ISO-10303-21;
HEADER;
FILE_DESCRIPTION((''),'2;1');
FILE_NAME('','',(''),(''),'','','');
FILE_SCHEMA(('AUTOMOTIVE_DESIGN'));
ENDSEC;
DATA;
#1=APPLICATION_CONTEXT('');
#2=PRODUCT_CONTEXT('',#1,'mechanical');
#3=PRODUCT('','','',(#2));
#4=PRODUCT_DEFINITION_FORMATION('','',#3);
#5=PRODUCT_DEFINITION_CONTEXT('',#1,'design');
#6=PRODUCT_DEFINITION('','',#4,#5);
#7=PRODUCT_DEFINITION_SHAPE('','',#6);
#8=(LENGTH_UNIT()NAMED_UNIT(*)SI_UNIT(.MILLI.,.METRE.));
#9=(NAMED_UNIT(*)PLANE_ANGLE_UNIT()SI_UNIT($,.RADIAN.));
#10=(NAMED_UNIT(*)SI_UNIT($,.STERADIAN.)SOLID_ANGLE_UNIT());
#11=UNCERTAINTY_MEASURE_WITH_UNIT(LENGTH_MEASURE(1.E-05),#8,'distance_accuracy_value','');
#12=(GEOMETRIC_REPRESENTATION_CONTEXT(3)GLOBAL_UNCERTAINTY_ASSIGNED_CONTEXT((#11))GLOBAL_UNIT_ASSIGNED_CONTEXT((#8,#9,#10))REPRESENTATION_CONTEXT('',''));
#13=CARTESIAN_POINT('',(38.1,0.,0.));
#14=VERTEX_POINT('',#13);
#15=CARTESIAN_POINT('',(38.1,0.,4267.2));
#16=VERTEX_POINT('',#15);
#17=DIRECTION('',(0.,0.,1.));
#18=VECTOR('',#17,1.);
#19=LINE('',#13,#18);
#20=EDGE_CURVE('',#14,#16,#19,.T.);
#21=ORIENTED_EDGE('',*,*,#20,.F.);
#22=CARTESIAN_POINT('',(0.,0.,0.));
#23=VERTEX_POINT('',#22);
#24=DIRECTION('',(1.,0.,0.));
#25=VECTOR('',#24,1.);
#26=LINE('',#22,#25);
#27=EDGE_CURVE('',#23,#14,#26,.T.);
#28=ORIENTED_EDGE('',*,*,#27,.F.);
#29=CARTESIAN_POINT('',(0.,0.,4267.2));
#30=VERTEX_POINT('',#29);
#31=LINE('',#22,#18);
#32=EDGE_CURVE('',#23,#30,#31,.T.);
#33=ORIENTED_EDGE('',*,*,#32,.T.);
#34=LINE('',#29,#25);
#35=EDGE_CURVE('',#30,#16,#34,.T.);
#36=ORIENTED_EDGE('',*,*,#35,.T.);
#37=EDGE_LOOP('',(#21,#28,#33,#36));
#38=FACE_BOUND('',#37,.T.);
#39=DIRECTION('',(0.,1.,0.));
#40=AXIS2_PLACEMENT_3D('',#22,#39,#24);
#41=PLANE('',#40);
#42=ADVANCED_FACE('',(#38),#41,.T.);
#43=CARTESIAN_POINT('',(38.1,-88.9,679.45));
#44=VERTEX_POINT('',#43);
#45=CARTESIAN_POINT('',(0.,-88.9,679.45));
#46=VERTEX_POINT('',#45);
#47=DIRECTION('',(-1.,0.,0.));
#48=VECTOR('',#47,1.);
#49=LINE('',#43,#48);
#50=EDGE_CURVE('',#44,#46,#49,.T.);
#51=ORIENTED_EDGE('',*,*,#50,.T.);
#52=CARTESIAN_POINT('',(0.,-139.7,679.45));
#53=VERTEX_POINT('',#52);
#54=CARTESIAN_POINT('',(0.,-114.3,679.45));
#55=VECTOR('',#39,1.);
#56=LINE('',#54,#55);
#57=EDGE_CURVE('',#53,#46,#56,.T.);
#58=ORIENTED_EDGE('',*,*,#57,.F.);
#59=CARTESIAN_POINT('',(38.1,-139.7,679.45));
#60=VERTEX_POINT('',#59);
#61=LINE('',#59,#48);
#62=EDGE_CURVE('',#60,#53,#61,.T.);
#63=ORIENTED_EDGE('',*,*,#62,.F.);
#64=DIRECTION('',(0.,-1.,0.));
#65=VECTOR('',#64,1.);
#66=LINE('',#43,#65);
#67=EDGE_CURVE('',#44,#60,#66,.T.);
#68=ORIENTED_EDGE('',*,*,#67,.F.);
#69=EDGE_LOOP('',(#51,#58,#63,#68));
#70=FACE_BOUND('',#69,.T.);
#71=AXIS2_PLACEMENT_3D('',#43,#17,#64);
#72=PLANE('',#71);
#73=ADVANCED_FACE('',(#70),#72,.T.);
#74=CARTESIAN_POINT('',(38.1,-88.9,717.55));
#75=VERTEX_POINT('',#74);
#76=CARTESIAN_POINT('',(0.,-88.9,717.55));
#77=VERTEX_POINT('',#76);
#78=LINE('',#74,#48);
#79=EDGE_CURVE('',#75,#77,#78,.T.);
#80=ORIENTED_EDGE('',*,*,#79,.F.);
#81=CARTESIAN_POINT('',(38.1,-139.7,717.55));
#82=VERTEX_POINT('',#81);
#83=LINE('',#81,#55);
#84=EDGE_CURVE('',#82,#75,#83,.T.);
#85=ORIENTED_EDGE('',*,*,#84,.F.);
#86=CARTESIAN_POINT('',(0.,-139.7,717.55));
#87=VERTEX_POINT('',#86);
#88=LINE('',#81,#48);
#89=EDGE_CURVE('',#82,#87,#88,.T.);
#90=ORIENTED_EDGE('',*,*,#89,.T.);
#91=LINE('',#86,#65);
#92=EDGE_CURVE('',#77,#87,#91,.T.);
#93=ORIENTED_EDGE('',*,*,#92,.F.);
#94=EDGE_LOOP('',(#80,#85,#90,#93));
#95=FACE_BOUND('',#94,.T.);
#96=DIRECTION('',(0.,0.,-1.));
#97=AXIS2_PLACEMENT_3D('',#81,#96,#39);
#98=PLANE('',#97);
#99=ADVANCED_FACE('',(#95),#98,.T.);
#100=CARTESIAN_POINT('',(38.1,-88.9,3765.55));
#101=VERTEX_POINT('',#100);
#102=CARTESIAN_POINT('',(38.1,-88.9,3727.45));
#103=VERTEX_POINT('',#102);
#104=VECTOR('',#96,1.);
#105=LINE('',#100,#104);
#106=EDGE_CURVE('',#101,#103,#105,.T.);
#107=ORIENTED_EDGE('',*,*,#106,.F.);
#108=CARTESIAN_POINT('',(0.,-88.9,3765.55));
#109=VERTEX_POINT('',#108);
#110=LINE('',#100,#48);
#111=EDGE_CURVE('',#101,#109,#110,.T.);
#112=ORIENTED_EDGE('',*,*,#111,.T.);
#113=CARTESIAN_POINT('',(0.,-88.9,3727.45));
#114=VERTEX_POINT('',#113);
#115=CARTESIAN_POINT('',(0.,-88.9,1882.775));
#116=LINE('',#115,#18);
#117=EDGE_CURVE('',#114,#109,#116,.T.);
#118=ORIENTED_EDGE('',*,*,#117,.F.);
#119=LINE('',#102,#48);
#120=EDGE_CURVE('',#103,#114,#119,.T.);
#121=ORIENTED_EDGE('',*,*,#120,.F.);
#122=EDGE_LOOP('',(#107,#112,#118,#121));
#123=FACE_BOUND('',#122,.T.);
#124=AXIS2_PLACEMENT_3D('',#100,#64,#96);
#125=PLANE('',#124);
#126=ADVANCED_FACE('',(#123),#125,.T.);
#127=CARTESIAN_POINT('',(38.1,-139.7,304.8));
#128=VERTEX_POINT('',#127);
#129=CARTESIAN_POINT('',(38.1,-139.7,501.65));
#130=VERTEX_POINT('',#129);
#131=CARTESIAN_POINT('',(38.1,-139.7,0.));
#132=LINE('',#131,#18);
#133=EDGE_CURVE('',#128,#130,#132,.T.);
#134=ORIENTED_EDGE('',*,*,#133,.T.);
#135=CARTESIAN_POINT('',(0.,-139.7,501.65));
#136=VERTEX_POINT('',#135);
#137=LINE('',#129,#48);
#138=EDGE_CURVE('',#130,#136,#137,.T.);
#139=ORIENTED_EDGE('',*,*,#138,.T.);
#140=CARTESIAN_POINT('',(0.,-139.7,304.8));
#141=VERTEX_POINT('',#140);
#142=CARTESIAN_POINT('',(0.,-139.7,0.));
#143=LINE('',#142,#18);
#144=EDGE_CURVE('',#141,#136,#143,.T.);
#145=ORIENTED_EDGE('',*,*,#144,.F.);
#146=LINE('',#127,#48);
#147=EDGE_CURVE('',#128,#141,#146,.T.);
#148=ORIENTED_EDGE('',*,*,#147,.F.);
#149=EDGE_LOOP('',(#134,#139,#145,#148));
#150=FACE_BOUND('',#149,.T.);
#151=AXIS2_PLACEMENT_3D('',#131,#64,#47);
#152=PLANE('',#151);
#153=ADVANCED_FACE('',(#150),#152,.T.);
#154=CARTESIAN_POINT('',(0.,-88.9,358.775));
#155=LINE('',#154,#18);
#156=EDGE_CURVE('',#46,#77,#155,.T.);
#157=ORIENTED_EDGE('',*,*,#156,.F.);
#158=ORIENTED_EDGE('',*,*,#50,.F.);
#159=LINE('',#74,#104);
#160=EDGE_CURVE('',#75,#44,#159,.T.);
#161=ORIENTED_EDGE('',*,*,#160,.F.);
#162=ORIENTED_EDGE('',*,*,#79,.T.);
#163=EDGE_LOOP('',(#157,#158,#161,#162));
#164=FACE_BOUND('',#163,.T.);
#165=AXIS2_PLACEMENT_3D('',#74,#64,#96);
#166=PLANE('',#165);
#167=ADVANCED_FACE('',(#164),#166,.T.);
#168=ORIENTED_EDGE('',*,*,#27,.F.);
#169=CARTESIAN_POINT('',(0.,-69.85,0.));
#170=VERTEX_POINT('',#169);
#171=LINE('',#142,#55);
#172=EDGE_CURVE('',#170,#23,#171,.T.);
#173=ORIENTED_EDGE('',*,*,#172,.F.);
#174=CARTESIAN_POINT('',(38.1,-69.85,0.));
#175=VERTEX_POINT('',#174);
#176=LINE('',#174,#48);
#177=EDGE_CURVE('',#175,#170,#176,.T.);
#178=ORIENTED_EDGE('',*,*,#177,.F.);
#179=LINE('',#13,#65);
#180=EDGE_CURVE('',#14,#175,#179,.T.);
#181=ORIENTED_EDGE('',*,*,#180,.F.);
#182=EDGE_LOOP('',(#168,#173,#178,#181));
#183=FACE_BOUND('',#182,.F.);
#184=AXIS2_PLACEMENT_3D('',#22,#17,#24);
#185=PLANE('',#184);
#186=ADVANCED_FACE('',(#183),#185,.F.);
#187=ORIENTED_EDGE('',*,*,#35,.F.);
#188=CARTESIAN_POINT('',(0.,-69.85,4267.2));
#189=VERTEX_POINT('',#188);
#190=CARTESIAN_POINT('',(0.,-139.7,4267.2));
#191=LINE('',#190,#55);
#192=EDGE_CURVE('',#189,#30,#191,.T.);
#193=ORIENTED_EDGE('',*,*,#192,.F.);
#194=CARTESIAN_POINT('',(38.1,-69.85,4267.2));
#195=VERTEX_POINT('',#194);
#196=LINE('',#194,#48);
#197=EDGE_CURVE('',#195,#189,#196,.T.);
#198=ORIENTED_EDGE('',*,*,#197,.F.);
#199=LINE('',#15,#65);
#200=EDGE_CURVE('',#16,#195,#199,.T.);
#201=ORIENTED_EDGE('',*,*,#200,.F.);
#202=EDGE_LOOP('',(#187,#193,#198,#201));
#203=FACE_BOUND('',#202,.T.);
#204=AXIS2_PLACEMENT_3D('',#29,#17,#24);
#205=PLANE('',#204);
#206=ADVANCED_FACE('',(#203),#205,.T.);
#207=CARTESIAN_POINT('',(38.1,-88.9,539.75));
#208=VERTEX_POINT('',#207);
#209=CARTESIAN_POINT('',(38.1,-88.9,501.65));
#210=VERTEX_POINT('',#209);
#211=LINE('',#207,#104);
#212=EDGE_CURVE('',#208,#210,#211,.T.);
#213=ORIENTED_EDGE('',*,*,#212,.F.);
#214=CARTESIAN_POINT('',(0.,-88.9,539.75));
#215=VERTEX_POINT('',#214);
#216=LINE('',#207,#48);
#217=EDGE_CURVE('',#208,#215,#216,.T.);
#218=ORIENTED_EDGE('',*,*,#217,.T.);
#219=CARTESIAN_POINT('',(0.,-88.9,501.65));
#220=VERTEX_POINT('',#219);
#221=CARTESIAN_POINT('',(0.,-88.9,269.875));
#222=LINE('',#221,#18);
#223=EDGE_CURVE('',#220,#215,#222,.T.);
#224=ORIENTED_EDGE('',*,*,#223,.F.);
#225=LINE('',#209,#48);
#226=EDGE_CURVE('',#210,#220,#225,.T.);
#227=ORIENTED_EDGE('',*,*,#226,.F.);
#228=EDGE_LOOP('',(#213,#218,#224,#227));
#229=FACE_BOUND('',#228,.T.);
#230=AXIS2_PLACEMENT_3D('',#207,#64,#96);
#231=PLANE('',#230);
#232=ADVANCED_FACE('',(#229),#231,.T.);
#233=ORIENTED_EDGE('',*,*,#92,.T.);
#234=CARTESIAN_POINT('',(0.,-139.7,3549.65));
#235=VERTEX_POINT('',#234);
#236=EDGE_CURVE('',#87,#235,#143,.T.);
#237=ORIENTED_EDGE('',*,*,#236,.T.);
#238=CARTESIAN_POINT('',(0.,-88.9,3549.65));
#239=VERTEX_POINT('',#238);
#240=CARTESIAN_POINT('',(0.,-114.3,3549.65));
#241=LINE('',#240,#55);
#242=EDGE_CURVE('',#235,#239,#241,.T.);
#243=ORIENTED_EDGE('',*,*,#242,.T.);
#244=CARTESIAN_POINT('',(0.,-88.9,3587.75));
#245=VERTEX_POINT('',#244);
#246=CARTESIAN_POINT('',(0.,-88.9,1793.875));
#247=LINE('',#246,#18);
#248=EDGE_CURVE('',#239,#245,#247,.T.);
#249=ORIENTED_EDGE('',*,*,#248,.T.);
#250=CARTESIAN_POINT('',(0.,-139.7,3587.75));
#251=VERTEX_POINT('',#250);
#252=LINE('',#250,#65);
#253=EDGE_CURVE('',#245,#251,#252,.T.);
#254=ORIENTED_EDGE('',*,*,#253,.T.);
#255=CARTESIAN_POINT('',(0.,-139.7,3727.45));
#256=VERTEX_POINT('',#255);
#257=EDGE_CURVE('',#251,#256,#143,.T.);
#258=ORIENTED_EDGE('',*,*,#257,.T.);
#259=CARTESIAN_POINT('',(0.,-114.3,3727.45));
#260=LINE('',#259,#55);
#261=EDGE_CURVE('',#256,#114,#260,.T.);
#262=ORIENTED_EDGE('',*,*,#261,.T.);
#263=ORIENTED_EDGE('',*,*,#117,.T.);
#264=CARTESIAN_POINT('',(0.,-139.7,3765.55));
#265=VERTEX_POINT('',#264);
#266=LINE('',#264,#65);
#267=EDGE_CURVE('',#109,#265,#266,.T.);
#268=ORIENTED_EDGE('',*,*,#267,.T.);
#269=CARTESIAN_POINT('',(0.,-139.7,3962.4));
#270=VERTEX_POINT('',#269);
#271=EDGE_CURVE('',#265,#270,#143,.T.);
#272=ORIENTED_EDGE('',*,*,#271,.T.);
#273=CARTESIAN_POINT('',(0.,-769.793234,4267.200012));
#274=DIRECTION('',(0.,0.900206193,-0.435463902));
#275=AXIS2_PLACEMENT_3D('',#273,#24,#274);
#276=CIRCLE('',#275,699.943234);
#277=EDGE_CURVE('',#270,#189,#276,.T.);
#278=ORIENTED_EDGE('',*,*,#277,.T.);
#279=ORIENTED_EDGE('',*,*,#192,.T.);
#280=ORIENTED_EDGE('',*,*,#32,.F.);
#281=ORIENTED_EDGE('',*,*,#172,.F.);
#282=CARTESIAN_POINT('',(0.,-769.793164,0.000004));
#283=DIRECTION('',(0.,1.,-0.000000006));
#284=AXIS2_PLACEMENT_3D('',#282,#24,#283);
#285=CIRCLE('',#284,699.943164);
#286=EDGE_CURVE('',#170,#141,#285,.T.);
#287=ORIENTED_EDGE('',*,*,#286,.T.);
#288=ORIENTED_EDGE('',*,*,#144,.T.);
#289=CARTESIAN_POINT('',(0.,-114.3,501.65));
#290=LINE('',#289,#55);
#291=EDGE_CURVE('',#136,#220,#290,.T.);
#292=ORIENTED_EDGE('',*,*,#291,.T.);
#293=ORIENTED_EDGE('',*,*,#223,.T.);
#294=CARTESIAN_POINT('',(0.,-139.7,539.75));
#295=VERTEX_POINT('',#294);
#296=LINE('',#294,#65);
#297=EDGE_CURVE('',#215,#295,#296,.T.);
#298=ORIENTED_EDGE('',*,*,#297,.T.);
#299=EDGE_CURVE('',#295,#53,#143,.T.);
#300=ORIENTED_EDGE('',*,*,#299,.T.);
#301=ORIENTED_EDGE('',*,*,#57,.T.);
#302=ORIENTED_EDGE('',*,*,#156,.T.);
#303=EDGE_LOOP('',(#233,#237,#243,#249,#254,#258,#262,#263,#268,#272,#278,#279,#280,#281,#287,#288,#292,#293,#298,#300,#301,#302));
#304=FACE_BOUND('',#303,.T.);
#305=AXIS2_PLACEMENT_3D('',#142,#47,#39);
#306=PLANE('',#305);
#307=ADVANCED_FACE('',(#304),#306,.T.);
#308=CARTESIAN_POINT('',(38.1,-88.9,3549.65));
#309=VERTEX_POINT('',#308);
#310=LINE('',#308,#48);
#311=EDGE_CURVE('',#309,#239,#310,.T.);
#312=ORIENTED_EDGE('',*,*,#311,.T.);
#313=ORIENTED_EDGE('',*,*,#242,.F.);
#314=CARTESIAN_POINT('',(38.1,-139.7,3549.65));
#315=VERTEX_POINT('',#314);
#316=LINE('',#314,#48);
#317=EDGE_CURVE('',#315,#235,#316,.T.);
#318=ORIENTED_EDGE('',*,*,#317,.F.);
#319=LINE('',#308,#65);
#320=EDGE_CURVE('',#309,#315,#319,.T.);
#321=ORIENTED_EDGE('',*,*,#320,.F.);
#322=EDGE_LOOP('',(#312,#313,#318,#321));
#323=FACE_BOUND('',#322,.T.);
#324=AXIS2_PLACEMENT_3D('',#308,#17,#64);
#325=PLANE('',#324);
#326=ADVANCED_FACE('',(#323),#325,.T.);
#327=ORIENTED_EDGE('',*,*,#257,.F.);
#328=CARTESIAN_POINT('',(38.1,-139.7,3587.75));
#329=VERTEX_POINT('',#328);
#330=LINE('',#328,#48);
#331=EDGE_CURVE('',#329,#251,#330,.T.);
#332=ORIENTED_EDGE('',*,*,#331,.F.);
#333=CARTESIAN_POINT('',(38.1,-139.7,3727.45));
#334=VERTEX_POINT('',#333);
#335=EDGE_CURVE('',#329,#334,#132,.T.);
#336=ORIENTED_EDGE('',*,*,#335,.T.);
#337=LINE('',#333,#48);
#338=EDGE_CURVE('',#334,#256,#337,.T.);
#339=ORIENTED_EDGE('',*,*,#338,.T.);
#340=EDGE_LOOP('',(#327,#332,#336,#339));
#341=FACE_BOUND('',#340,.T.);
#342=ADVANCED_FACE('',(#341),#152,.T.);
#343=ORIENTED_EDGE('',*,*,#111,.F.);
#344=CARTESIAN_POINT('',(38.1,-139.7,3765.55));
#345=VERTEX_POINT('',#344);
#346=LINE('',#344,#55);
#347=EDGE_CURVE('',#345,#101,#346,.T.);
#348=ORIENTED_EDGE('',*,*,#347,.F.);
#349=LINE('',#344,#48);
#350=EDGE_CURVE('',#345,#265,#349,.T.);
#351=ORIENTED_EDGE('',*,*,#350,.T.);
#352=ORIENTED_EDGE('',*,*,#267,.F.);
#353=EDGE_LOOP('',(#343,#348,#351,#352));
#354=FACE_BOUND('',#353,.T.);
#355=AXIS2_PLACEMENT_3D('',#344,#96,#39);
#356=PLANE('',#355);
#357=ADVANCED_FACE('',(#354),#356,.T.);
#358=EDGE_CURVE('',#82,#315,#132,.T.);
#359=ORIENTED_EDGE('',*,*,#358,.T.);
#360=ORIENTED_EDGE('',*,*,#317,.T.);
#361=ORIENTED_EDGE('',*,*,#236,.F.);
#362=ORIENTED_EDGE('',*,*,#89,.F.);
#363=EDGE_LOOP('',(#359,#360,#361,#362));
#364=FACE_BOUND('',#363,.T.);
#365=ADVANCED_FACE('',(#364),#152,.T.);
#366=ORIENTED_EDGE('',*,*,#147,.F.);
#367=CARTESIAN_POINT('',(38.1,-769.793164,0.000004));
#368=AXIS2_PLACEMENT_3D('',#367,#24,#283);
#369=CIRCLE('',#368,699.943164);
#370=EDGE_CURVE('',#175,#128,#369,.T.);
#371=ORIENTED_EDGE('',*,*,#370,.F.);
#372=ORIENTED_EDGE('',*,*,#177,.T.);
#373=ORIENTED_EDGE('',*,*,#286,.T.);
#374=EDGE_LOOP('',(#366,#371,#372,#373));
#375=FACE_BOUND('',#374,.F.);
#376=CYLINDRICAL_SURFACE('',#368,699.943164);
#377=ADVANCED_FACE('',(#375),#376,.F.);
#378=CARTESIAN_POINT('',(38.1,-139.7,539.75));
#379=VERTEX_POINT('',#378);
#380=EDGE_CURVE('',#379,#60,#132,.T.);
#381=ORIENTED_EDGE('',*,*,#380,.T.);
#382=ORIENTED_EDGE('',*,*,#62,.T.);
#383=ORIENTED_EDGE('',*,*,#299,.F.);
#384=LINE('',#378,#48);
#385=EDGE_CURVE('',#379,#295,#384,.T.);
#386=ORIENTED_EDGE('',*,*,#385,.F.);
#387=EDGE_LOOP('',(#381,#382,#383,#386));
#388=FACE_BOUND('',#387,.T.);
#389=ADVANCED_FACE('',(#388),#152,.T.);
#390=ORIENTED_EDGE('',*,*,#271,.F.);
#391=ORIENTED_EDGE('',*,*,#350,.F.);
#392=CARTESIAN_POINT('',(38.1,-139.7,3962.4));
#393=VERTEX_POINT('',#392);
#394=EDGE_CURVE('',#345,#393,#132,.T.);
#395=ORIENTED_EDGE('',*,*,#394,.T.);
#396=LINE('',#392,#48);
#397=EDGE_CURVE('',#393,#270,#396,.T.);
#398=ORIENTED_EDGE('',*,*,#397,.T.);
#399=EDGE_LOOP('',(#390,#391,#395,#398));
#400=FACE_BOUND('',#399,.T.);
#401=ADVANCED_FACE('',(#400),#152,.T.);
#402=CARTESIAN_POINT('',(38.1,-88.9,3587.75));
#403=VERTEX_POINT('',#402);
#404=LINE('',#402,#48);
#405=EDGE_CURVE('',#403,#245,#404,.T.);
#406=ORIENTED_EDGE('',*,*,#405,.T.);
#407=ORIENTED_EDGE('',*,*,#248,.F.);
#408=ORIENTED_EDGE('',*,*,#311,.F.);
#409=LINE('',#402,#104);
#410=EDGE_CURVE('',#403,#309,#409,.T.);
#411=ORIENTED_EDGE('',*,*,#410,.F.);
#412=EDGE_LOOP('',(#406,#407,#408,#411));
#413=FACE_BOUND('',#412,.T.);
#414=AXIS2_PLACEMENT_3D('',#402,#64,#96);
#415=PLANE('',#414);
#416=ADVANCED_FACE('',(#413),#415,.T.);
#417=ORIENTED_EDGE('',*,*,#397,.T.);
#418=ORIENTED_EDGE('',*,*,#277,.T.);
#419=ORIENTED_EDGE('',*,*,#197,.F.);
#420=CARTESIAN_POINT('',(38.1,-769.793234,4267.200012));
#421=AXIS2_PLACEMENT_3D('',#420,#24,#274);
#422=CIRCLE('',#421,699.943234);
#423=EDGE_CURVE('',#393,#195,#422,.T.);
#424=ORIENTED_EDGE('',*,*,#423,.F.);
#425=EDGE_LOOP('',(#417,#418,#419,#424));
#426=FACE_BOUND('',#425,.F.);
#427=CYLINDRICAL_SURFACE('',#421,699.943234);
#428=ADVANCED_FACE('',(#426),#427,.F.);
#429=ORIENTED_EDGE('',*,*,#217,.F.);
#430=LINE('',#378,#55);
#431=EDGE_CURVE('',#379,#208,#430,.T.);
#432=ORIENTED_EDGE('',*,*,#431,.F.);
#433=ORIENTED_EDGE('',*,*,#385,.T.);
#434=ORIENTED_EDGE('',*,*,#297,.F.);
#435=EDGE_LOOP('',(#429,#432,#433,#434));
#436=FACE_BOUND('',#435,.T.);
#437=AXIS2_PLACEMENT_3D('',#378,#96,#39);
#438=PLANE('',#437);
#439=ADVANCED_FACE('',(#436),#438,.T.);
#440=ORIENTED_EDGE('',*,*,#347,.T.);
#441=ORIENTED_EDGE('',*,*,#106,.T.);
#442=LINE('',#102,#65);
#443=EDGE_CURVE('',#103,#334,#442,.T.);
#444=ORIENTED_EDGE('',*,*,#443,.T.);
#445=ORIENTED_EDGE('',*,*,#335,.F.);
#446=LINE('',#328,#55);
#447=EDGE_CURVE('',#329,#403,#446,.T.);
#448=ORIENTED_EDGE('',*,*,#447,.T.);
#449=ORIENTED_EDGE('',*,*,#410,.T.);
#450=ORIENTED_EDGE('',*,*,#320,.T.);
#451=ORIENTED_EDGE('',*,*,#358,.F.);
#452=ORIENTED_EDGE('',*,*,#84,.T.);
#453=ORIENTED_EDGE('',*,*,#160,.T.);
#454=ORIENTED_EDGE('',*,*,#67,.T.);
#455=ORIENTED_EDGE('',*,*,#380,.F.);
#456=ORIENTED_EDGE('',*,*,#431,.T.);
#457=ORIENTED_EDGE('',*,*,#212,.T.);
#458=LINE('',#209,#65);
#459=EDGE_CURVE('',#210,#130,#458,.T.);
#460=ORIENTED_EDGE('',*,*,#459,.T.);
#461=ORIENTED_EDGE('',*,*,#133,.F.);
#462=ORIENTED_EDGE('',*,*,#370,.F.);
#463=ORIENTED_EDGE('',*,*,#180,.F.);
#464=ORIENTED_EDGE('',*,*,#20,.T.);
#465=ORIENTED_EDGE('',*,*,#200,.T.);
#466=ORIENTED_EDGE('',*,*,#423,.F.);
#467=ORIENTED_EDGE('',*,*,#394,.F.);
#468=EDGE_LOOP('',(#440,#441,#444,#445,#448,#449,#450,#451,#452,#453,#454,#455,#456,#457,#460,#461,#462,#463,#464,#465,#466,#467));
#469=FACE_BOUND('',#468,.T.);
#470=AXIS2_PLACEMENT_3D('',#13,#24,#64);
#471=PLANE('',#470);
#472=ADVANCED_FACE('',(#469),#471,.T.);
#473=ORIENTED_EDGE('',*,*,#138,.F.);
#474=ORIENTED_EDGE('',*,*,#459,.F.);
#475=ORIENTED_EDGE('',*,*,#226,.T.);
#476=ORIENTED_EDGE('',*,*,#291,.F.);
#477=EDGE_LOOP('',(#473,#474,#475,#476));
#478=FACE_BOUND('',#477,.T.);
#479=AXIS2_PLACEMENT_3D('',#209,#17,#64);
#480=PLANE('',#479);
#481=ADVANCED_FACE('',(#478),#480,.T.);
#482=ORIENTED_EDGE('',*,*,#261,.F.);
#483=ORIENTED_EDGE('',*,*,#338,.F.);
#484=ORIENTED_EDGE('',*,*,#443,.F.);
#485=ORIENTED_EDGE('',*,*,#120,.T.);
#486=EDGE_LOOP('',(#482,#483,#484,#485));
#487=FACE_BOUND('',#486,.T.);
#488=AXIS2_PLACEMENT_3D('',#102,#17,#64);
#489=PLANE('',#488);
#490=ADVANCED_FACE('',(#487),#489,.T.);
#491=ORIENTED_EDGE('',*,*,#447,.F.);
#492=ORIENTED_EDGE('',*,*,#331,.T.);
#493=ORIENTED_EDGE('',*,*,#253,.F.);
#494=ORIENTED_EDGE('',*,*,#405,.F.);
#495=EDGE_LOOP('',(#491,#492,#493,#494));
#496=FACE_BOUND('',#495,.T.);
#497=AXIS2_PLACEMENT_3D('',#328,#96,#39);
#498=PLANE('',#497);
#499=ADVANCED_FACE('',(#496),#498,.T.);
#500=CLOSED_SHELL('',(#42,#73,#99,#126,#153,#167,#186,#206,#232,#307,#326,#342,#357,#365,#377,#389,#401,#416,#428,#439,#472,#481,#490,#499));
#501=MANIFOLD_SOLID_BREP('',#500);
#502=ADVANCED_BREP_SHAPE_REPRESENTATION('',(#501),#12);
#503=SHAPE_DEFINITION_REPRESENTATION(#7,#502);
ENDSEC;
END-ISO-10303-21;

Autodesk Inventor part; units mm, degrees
ref_plane "YZ Plane" through (0, 0, 0) normal (1, 0, 0) x (0, 1, 0)
ref_plane "XZ Plane" through (0, 0, 0) normal (0, 1, 0) x (-1, 0, 0)
ref_plane "XY Plane" through (0, 0, 0) normal (0, 0, 1) x (1, 0, 0)
sketch "Sketch1" plane through (0, 0, 0) normal (0, 0, 1) x (1, 0, 0)
  line L0 (0, 0) -> (38.1, 0)
  line L1 (38.1, 0) -> (38.1, -139.7)
  line L2 (38.1, -139.7) -> (0, -139.7)
  line L3 (0, -139.7) -> (0, 0)
  dimension "d0" = 38.1
  dimension "d1" = 139.7
extrude "Extrusion1" add sketch "Sketch1" along normal blind 4267.2
sketch "Sketch2" plane through (38.1, -139.7, 0) normal (1, 0, 0) x (0, 0, -1)
  line L0 (0, 139.7) -> (0, 0) projected
  line L1 (0, 139.7) -> (-4267.2, 139.7) projected
  line L2 (-4267.2, 0) -> (-4267.2, 139.7) projected
  line L3 (0, 0) -> (-4267.2, 0) projected
  line L4 (-4267.2, 139.7) -> (-4267.2, 0) projected
  line L5 (0, 0) -> (-4267.2, 0) projected
  line L6 (-4267.2, 0) -> (-4267.2, 139.7) projected
  arc A0 (-3962.4, 0) -> (-4267.2, 69.85) centre (-4267.2, -630.0932) ccw
  line L7 (0, 0) -> (-4267.2, 0) projected
  line L8 (0, 0) -> (0, 139.7) projected
  arc A1 (0, 69.85) -> (-304.8, 0) centre (0, -630.0932) ccw
  line L9 (-3765.55, 0) -> (-3765.55, 50.8)
  line L10 (-3765.55, 50.8) -> (-3727.45, 50.8)
  line L11 (-3727.45, 50.8) -> (-3727.45, 0)
  line L12 (-3587.75, 0) -> (-3587.75, 50.8)
  line L13 (-3587.75, 50.8) -> (-3549.65, 50.8)
  line L14 (-717.55, 0) -> (-717.55, 50.8)
  line L15 (-717.55, 50.8) -> (-679.45, 50.8)
  line L16 (-679.45, 50.8) -> (-679.45, 0)
  line L17 (-539.75, 0) -> (-539.75, 50.8)
  line L18 (-539.75, 50.8) -> (-501.65, 50.8)
  line L19 (-501.65, 50.8) -> (-501.65, 0)
  line L20 (-3549.65, 50.8) -> (-3549.65, 0)
  dimension "d8" = 304.8
  dimension "d9" = 304.8
  dimension "d12" = 38.1
  dimension "d13" = 50.8
  dimension "d14" = 139.7
  dimension "d15" = 501.65
  dimension "d16" = 139.7
  dimension "d17" = 501.65
extrude "Extrusion2" cut sketch "Sketch2" along normal through all both and the other way through all contours L0 L3 A1 | A0 L3 L2 | L3 L17 L18 L19 | L9 L10 L11 L3 | L3 L14 L15 L16 | L12 L13 L20 L3
properties part number "Cover Board" material "Wood (Cherry)"
